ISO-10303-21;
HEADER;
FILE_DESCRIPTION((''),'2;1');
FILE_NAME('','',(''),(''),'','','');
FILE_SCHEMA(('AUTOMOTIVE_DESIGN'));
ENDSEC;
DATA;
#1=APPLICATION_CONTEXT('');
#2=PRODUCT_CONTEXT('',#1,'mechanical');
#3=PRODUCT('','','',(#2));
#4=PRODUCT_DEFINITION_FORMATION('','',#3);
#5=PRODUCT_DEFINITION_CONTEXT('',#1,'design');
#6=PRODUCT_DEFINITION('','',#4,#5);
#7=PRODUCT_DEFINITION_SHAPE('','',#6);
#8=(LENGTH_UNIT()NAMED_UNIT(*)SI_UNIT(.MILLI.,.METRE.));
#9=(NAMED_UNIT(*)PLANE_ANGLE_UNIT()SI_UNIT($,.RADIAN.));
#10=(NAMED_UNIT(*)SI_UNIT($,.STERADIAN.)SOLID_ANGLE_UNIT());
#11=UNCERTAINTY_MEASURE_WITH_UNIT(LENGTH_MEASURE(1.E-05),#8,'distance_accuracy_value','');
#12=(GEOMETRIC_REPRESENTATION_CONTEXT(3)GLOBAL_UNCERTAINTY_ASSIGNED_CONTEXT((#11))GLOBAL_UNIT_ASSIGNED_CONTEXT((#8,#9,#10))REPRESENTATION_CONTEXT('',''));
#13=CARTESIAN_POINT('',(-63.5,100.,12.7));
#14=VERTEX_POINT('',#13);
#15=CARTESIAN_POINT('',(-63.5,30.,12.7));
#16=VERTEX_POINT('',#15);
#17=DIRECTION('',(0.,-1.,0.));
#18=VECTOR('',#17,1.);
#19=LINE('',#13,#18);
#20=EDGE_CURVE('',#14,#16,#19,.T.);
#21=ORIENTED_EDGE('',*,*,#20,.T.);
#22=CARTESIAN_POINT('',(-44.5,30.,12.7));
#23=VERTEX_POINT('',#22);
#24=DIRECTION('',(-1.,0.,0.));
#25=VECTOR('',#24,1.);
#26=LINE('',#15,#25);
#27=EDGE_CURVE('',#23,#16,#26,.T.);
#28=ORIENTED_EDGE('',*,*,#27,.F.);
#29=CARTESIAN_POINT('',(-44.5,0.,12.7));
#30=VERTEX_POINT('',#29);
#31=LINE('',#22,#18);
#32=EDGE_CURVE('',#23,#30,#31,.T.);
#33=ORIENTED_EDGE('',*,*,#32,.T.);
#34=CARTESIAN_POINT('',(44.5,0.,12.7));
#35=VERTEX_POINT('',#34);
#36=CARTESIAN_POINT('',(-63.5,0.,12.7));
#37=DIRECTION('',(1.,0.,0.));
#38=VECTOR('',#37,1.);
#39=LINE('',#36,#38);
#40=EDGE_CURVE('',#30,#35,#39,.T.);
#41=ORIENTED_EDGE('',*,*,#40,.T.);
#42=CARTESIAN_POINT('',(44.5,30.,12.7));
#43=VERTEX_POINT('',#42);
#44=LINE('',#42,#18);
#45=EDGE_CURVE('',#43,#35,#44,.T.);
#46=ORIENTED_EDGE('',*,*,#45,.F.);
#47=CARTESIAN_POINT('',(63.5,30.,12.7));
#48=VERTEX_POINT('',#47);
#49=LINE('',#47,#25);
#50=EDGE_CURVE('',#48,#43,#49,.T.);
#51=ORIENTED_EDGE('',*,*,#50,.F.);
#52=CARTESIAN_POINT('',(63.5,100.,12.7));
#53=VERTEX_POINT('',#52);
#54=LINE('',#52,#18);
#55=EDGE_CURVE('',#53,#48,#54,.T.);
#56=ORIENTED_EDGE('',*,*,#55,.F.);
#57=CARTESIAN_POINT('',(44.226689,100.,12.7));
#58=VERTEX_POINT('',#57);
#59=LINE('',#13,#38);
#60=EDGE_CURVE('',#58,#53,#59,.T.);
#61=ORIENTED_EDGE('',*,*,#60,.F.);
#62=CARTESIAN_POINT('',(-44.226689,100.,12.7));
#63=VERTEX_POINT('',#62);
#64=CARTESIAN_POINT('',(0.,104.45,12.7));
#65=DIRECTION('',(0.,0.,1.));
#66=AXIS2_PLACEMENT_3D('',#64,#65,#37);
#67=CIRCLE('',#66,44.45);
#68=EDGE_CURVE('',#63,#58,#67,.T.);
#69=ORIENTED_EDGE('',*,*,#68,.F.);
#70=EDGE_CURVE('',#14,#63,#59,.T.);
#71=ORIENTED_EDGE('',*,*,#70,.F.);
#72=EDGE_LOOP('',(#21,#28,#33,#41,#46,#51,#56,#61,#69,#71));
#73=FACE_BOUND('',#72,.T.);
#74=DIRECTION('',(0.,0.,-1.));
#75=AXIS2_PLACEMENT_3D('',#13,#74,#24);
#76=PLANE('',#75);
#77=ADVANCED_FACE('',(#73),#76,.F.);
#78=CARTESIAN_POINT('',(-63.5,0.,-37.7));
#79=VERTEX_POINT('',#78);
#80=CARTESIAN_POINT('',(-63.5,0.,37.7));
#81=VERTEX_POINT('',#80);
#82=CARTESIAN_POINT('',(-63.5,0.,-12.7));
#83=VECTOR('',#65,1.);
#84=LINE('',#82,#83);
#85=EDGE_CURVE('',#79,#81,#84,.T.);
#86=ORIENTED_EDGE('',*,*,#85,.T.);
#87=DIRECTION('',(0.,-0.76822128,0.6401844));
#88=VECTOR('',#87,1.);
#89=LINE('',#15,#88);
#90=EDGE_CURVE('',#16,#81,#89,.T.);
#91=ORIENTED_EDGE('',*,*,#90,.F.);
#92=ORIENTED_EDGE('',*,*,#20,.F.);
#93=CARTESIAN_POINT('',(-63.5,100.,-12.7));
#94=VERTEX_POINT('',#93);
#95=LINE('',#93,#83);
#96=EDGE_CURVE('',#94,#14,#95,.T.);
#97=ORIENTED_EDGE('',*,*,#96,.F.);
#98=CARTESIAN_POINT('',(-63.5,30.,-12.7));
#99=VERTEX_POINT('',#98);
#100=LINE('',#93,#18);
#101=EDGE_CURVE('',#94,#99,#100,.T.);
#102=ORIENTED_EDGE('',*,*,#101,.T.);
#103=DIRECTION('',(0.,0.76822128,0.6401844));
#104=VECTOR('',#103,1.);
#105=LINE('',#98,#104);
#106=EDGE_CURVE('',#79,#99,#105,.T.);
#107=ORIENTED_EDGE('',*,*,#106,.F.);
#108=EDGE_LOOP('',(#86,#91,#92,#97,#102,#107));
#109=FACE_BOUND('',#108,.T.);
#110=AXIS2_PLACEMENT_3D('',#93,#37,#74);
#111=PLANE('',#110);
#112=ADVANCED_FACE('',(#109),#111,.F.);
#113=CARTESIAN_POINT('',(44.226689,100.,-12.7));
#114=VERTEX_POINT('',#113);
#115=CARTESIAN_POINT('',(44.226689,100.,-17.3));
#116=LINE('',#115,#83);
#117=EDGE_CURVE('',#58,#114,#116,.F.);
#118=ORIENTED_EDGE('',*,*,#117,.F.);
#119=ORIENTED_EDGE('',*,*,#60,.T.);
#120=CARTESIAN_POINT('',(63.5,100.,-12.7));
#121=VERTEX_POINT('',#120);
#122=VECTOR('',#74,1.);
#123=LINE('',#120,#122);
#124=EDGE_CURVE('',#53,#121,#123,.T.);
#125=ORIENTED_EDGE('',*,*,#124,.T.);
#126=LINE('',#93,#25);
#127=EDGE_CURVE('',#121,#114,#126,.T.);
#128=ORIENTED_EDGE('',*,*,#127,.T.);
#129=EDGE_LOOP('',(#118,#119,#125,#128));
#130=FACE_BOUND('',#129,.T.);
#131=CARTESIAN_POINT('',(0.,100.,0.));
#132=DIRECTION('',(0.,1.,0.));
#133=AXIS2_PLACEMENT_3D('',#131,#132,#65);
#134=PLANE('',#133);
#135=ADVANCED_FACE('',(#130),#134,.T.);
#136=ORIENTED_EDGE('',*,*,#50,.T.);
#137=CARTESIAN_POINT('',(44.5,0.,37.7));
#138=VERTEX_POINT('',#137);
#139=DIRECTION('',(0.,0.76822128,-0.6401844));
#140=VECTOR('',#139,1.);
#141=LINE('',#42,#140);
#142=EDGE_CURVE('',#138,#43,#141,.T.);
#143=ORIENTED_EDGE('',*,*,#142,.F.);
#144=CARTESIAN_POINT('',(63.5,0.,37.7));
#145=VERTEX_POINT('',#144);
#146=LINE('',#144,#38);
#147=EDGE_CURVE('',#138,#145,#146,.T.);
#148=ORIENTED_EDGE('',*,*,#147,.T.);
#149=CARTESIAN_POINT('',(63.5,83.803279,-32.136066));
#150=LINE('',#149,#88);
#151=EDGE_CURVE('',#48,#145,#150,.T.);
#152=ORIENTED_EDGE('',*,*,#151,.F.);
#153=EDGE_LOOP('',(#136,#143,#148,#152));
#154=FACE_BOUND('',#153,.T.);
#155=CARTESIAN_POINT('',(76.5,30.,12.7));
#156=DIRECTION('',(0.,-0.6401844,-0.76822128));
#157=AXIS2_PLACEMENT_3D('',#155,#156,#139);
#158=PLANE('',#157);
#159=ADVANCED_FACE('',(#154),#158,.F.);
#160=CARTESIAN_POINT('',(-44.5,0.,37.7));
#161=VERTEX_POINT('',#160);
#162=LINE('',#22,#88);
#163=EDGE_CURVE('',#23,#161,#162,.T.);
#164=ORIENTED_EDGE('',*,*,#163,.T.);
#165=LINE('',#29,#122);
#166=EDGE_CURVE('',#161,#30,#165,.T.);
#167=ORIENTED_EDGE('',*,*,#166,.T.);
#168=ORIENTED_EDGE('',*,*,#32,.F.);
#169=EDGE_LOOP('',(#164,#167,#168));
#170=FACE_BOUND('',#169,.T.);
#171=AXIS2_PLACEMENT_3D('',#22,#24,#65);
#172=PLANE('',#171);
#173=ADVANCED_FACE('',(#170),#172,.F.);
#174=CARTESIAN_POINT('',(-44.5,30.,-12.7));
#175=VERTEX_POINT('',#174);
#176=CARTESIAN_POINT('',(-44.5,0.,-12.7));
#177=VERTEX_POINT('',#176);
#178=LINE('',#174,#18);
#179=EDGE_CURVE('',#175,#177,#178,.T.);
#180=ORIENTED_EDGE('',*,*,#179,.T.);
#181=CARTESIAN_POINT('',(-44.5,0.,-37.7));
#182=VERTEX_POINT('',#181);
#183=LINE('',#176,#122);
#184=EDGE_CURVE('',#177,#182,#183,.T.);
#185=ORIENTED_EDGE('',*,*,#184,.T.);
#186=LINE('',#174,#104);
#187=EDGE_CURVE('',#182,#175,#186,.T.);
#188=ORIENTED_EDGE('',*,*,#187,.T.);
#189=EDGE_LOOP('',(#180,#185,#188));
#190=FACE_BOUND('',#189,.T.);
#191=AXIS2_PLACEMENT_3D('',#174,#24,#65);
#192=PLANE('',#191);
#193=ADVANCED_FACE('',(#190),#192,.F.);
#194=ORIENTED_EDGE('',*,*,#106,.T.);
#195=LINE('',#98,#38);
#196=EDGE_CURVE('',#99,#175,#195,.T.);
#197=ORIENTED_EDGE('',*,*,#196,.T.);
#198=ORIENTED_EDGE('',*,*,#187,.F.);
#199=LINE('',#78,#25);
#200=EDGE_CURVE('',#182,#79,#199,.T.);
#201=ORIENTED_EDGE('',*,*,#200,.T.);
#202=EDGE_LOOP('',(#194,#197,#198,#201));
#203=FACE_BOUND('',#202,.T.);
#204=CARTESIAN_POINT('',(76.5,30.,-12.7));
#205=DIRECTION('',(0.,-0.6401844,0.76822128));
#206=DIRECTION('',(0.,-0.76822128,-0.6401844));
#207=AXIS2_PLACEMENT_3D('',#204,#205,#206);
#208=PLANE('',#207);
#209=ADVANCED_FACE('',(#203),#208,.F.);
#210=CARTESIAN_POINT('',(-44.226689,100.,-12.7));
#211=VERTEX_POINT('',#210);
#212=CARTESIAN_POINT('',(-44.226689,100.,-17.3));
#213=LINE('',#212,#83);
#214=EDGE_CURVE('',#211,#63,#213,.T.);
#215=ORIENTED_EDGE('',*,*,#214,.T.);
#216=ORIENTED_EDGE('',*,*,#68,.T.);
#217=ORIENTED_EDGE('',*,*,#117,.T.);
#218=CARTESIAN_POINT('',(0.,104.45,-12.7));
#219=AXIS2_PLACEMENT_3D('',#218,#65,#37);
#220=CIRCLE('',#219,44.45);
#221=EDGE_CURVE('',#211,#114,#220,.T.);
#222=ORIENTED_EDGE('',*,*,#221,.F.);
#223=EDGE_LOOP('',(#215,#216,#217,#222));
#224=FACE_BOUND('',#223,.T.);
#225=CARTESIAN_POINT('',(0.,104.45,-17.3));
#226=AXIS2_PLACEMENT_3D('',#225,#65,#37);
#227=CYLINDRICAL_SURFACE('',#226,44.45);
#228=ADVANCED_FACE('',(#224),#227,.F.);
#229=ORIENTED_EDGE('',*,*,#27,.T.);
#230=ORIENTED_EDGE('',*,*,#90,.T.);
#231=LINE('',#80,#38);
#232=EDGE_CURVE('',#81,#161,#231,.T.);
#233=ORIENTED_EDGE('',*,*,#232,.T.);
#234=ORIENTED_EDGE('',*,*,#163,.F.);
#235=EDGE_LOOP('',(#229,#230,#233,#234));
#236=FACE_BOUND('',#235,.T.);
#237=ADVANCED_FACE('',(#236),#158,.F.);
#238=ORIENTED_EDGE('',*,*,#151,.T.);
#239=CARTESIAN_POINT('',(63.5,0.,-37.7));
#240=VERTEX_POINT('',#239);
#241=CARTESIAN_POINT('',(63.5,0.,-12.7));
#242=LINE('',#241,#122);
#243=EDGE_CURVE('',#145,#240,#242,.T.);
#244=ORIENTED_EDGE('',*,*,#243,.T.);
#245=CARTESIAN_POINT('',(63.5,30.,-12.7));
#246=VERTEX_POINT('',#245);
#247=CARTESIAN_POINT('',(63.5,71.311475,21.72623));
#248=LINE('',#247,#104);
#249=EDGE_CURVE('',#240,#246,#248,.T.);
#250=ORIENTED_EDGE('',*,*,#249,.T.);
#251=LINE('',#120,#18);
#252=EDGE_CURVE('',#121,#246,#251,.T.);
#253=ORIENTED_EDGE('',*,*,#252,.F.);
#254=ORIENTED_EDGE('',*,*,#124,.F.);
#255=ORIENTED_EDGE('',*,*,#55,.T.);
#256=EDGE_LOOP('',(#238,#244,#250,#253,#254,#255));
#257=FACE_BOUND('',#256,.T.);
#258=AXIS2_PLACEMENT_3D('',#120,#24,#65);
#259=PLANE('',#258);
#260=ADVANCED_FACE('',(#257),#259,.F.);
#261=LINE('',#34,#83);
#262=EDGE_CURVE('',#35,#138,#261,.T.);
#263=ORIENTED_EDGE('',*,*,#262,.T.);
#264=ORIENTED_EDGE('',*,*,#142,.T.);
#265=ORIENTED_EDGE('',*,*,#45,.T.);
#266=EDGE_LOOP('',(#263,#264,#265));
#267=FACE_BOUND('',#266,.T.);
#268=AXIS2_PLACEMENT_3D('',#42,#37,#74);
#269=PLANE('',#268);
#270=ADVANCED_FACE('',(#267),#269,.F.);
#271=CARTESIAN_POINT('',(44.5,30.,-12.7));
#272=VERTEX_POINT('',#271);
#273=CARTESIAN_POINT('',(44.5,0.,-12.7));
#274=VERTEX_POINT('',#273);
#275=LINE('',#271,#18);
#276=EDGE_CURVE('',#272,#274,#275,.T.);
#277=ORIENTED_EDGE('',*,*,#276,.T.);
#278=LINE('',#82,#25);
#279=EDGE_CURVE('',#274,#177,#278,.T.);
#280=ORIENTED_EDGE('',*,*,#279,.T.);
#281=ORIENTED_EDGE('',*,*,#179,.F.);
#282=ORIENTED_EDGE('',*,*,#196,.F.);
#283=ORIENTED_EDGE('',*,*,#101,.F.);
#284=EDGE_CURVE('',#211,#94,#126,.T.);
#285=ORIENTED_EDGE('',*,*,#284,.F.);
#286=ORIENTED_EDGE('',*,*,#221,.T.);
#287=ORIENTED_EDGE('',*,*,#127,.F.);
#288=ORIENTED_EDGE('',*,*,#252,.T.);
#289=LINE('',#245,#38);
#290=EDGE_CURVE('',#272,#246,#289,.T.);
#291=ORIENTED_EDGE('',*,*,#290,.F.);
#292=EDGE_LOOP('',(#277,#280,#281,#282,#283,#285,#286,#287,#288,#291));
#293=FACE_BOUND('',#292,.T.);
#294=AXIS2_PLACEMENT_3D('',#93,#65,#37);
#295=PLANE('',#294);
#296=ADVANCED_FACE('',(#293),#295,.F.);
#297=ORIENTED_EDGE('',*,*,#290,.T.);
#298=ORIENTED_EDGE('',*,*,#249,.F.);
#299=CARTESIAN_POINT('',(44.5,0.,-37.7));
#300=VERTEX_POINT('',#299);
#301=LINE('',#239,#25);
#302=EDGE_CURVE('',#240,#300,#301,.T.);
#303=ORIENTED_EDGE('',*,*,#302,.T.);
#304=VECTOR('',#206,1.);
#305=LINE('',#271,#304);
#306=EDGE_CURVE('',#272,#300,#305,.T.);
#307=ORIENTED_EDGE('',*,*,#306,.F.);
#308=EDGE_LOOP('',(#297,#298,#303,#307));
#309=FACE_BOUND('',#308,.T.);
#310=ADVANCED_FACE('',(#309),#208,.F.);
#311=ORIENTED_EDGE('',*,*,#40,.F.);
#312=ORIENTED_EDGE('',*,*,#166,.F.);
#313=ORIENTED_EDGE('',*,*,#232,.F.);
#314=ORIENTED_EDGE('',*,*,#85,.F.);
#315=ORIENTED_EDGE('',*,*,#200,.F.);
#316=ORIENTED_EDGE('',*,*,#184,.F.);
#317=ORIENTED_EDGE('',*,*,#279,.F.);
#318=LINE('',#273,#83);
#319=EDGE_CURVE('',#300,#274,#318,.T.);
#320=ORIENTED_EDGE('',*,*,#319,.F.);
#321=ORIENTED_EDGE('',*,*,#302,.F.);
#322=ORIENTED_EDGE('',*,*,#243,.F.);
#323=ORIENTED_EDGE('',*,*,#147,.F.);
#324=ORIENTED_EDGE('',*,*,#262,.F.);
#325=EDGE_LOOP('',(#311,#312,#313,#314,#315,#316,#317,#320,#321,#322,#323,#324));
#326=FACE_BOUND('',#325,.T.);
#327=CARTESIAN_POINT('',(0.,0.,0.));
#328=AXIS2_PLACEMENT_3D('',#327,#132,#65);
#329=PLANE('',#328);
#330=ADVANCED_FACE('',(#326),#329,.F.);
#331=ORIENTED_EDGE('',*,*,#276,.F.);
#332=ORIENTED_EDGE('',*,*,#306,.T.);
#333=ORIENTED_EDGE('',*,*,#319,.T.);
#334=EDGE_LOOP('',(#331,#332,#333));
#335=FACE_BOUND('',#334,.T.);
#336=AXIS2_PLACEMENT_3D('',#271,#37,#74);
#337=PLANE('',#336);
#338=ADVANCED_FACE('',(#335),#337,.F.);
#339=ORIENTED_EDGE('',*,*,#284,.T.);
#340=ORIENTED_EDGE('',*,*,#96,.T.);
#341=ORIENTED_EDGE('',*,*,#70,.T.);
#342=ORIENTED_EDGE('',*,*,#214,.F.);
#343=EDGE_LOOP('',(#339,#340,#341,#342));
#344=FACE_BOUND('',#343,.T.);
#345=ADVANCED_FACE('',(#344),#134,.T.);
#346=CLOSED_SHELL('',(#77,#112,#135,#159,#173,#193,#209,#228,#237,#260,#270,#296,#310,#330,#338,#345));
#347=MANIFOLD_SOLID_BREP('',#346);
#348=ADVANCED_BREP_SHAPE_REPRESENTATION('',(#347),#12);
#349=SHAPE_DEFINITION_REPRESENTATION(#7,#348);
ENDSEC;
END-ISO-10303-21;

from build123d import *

# Parameters (mm, degrees)
SKETCH1_W           = 127
SKETCH1_H           = 25.4
BOSS_EXTRUDE1_DEPTH = 100
SKETCH2_R           = 44.45
CUT_EXTRUDE1_DEPTH  = 30
SKETCH3_W           = 19
SKETCH3_H           = 25
BOSS_EXTRUDE2_DEPTH = 30
CUT_EXTRUDE2_DEPTH  = 140


with BuildPart() as part:
    # Sketch1 → Boss-Extrude1 (new body)
    with BuildSketch(Plane(origin=(0, 0, 0), x_dir=(1, 0, 0), z_dir=(0, 1, 0))):
        Rectangle(SKETCH1_W, SKETCH1_H)
    extrude(amount=BOSS_EXTRUDE1_DEPTH)

    # Sketch2 → Cut-Extrude1 (cut)
    with BuildSketch(Plane.XY.offset(12.7)):
        with Locations((0, 104.45)):
            Circle(SKETCH2_R)
    extrude(amount=-CUT_EXTRUDE1_DEPTH, mode=Mode.SUBTRACT)

    # Sketch3 → Boss-Extrude2 (add)
    with BuildSketch(Plane(origin=(0, 0, 0), x_dir=(1, 0, 0), z_dir=(0, 1, 0))):
        with Locations((-54, 25.2)):
            Rectangle(SKETCH3_W, SKETCH3_H)
        with Locations((54, 25.2)):
            Rectangle(SKETCH3_W, SKETCH3_H)
        with Locations((54, -25.2)):
            Rectangle(SKETCH3_W, SKETCH3_H)
        with Locations((-54, -25.2)):
            Rectangle(SKETCH3_W, SKETCH3_H)
    extrude(amount=BOSS_EXTRUDE2_DEPTH)

    # Sketch4 → Cut-Extrude2 (cut)
    with BuildSketch(Plane.ZY.offset(63.5)):
        Polygon((12.7, 30), (37.7, 0), (37.7, 30), align=None)
        Polygon((-12.7, 30), (-37.7, 0), (-37.7, 30), align=None)
    extrude(amount=-CUT_EXTRUDE2_DEPTH, mode=Mode.SUBTRACT)


solid = part.part
